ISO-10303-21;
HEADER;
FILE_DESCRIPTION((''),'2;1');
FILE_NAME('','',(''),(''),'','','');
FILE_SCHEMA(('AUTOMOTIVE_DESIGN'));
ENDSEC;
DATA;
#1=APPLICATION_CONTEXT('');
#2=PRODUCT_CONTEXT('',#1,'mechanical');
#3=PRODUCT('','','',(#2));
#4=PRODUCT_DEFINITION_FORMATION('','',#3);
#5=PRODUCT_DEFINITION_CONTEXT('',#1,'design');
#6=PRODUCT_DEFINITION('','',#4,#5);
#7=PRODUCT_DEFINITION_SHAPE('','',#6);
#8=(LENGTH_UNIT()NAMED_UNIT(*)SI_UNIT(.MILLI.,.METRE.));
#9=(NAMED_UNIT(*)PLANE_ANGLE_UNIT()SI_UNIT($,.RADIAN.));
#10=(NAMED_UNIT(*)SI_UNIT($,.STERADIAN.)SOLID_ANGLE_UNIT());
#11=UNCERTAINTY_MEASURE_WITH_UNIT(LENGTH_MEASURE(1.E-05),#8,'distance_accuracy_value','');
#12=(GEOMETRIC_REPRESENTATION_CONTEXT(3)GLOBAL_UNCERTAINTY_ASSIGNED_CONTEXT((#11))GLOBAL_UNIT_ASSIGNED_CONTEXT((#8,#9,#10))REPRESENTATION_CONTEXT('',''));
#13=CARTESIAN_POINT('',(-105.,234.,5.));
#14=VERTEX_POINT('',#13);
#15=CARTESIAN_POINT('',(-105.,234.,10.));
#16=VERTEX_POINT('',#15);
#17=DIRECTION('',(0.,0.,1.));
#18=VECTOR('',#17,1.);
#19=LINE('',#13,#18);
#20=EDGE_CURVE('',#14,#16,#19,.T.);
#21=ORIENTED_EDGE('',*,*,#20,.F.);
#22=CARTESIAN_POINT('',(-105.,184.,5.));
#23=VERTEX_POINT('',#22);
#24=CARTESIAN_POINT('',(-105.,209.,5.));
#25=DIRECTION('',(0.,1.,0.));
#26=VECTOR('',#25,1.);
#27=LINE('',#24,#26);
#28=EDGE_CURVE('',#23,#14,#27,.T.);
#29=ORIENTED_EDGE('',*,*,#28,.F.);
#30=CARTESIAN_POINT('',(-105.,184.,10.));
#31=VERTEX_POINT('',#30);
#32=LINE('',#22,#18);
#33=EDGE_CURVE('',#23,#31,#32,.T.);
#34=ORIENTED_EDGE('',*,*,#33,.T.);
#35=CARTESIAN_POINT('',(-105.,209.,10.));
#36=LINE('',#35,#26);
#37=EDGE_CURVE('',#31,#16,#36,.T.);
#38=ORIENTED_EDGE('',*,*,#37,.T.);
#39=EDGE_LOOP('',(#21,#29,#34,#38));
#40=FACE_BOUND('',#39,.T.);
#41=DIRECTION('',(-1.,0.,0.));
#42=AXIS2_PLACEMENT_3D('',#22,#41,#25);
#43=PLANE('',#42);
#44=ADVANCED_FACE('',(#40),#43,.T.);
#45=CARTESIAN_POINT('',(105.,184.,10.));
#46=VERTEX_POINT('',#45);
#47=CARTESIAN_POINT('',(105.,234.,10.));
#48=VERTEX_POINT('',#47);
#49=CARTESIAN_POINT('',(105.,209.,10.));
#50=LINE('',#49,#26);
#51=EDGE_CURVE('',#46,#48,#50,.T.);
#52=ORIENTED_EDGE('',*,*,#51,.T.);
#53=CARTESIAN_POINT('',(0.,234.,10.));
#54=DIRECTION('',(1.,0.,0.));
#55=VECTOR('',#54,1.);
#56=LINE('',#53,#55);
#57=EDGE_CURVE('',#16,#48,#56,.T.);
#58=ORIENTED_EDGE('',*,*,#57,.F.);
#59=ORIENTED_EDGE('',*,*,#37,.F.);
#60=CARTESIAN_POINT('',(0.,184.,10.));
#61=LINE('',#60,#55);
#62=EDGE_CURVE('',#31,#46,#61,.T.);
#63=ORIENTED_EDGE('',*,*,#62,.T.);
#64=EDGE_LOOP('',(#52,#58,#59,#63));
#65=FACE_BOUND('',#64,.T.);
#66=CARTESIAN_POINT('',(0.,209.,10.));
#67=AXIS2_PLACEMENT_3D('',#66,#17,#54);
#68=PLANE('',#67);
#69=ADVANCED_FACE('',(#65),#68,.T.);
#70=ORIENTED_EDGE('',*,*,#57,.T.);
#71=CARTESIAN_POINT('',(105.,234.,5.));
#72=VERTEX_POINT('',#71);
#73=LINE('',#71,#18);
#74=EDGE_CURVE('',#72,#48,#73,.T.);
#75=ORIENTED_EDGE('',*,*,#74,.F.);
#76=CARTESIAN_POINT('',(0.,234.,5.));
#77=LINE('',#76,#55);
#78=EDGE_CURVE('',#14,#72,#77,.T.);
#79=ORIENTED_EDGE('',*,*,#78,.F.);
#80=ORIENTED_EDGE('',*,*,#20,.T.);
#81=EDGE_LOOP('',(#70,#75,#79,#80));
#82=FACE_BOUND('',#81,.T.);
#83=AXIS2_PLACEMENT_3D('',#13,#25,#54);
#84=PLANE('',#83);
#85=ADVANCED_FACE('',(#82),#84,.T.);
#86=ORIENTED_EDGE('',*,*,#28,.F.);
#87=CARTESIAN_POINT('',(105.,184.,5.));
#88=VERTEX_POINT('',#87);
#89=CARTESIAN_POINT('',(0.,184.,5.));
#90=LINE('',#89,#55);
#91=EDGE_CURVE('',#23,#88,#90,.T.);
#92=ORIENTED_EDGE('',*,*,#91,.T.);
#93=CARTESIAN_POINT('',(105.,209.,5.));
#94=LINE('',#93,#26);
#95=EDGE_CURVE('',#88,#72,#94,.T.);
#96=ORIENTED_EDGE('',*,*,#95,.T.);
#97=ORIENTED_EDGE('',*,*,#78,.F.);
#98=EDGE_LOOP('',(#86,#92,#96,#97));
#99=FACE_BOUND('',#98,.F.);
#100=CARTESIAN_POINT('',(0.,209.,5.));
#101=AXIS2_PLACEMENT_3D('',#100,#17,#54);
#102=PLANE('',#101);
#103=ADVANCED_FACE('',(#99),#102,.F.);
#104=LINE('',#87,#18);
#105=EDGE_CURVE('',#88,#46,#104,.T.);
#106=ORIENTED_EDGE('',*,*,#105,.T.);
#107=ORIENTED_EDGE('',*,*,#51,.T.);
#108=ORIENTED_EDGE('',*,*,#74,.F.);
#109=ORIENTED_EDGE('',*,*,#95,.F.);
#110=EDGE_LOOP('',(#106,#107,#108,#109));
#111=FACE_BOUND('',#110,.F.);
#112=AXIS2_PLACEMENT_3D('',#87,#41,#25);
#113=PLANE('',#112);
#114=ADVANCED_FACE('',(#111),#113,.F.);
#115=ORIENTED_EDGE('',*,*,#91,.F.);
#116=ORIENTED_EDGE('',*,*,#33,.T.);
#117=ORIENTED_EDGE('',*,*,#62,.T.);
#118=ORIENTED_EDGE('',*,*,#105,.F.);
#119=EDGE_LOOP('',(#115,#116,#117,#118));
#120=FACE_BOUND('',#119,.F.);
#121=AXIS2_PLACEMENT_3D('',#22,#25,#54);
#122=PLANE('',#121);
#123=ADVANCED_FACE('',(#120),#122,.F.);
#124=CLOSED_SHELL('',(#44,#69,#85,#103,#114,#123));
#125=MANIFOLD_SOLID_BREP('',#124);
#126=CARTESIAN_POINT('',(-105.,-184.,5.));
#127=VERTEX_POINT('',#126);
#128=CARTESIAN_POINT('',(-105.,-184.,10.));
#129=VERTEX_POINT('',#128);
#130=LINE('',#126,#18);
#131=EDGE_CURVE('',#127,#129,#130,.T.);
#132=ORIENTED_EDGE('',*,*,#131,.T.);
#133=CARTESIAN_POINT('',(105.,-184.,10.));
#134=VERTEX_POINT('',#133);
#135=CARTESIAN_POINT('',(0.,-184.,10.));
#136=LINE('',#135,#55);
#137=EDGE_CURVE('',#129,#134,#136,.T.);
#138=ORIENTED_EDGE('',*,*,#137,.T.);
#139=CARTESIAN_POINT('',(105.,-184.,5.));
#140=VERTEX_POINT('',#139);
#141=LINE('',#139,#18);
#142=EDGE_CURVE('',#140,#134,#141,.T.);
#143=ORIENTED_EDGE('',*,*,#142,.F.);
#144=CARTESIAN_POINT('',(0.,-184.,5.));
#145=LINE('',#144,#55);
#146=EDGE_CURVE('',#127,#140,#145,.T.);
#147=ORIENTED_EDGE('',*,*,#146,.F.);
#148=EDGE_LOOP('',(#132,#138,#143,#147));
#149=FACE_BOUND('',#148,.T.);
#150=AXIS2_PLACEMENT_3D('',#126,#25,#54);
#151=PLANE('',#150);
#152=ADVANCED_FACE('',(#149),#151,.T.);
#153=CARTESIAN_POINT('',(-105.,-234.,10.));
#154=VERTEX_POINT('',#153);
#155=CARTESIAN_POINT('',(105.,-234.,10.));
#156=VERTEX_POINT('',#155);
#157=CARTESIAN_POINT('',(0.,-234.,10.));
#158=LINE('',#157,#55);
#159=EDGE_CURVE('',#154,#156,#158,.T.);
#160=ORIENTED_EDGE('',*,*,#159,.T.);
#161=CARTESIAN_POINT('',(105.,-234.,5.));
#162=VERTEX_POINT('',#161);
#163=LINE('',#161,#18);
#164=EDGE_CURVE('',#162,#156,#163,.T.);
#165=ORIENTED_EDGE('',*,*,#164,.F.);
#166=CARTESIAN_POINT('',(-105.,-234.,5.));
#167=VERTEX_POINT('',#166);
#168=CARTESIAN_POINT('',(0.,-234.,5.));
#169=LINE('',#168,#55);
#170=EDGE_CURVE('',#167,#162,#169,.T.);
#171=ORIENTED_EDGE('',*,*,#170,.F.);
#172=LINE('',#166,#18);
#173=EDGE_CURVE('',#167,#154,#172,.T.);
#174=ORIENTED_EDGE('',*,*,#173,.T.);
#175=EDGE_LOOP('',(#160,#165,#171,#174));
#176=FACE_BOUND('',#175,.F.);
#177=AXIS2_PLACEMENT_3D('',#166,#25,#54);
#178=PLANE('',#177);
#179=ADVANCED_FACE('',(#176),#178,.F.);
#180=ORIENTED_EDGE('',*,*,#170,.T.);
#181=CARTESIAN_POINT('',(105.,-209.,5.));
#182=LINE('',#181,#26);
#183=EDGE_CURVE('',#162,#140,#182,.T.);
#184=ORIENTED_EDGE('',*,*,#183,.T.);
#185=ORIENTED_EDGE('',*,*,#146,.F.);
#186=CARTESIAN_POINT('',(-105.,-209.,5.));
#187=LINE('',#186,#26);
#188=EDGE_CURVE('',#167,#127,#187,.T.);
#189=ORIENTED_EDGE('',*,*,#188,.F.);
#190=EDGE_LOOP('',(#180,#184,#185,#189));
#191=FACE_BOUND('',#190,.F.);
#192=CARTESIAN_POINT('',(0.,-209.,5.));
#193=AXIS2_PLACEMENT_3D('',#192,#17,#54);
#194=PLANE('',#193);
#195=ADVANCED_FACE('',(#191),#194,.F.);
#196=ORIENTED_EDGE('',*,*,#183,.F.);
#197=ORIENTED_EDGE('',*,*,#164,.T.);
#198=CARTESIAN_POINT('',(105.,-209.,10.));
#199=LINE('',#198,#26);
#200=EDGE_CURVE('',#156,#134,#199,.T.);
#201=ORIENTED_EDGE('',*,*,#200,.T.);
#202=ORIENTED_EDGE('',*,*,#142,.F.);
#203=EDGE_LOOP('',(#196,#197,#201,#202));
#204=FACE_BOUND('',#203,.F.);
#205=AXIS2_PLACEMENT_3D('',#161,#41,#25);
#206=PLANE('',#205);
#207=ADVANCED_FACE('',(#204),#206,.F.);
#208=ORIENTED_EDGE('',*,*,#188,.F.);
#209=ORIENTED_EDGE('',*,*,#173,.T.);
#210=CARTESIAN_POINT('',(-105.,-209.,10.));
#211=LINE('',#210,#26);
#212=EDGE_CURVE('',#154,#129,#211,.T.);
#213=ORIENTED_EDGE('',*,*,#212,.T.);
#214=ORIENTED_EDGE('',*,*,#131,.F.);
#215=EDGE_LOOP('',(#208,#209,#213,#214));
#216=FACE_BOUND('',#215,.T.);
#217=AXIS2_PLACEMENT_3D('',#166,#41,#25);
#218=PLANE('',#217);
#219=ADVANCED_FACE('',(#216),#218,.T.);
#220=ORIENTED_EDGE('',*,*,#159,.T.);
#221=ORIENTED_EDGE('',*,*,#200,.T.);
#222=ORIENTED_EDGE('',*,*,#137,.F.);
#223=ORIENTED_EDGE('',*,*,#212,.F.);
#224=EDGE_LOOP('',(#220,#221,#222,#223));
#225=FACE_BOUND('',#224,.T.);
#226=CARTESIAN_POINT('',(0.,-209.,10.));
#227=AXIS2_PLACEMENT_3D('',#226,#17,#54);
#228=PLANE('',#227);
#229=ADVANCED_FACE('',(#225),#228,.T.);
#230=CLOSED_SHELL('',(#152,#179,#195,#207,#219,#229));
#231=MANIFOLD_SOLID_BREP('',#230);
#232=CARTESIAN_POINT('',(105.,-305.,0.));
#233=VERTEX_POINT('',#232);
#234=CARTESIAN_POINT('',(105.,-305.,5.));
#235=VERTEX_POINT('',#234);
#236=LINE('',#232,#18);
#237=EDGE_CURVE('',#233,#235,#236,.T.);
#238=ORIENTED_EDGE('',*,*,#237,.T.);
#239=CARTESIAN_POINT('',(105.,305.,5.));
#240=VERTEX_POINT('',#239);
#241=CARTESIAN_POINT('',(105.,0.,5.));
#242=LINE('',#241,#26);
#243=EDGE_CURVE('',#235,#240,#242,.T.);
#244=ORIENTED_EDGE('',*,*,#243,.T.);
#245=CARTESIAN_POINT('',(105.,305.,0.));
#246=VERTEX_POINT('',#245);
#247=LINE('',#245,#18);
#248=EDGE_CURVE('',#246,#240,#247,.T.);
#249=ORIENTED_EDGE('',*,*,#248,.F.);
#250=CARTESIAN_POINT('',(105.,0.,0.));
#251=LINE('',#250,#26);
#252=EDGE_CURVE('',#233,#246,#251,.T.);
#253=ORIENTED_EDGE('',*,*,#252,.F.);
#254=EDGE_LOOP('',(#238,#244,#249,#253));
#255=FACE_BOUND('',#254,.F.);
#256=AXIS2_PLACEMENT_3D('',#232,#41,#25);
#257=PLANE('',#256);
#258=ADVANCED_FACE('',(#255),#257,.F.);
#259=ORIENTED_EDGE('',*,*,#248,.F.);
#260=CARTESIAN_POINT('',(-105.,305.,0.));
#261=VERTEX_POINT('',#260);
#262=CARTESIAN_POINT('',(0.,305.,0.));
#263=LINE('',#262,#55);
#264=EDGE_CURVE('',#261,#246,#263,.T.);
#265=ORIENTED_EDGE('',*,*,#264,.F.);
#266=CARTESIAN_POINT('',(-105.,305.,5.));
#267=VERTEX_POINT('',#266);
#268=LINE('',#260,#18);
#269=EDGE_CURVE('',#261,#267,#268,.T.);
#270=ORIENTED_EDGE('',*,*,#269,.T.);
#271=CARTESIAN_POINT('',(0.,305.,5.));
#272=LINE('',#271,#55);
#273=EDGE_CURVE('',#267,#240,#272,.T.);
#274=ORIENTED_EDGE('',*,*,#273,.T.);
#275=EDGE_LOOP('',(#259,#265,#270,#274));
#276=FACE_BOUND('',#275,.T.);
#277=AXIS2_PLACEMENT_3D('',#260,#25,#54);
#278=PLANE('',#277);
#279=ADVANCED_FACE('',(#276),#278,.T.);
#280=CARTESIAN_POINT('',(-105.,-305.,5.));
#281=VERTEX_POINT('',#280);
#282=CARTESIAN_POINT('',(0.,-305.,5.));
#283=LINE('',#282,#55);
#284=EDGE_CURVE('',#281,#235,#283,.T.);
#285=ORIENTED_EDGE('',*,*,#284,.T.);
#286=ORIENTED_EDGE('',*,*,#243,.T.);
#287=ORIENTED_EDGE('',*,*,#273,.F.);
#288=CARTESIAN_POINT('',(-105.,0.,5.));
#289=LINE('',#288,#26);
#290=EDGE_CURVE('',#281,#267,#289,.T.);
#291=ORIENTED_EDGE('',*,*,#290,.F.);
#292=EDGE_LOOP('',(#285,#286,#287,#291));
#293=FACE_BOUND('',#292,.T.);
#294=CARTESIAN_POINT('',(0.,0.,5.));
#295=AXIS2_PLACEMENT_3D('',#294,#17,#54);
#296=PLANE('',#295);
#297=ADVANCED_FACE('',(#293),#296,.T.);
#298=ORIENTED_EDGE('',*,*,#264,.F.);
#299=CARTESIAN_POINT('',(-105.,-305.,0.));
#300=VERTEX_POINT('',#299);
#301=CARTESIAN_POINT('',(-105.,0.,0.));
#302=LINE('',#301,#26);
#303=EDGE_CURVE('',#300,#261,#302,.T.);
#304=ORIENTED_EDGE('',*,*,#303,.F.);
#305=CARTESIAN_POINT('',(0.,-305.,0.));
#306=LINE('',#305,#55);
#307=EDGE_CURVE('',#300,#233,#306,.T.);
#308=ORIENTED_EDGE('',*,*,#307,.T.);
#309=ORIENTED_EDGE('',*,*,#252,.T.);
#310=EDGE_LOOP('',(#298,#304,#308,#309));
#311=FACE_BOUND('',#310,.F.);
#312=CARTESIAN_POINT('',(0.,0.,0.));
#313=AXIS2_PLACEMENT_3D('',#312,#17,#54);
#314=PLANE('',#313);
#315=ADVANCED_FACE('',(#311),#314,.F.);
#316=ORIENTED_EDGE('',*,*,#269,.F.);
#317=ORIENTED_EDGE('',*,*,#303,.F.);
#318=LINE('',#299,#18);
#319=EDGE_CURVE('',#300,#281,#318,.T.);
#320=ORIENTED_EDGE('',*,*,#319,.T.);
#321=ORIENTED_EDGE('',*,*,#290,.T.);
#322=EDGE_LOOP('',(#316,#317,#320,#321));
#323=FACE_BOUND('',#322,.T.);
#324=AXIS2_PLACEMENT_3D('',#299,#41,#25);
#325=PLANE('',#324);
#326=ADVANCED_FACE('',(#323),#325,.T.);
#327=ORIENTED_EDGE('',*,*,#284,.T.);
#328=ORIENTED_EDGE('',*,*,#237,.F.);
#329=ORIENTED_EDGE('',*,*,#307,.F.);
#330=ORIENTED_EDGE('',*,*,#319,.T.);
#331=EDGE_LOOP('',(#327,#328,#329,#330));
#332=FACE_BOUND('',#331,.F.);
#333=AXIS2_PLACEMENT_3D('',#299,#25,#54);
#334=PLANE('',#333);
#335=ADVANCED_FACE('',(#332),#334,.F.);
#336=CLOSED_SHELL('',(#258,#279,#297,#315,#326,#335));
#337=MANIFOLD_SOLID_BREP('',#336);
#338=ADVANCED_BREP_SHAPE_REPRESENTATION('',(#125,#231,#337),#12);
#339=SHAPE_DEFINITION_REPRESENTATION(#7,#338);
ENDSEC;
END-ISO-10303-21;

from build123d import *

# Parameters (mm, degrees)
F1_W     = 210
F1_H     = 610
F2_DEPTH = 5
F3_W     = 210
F3_H     = 50
F4_DEPTH = 5


with BuildPart() as f2:
    # F1 (on Top) → F2 (new body)
    with BuildSketch(Plane.XY):
        Rectangle(F1_W, F1_H)
    extrude(amount=F2_DEPTH)


with BuildPart() as f4:
    # F3 (on face) → F4 (new body)
    with BuildSketch(Plane.XY.offset(5)):
        with Locations((0, -209)):
            Rectangle(F3_W, F3_H)
    extrude(amount=F4_DEPTH)


with BuildPart() as f4b:
    # F3 (on face) → F4, piece 2 (new body)
    with BuildSketch(Plane.XY.offset(5)):
        with Locations((0, 209)):
            Rectangle(F3_W, F3_H)
    extrude(amount=F4_DEPTH)


solid = Compound([f2.part, f4.part, f4b.part])
